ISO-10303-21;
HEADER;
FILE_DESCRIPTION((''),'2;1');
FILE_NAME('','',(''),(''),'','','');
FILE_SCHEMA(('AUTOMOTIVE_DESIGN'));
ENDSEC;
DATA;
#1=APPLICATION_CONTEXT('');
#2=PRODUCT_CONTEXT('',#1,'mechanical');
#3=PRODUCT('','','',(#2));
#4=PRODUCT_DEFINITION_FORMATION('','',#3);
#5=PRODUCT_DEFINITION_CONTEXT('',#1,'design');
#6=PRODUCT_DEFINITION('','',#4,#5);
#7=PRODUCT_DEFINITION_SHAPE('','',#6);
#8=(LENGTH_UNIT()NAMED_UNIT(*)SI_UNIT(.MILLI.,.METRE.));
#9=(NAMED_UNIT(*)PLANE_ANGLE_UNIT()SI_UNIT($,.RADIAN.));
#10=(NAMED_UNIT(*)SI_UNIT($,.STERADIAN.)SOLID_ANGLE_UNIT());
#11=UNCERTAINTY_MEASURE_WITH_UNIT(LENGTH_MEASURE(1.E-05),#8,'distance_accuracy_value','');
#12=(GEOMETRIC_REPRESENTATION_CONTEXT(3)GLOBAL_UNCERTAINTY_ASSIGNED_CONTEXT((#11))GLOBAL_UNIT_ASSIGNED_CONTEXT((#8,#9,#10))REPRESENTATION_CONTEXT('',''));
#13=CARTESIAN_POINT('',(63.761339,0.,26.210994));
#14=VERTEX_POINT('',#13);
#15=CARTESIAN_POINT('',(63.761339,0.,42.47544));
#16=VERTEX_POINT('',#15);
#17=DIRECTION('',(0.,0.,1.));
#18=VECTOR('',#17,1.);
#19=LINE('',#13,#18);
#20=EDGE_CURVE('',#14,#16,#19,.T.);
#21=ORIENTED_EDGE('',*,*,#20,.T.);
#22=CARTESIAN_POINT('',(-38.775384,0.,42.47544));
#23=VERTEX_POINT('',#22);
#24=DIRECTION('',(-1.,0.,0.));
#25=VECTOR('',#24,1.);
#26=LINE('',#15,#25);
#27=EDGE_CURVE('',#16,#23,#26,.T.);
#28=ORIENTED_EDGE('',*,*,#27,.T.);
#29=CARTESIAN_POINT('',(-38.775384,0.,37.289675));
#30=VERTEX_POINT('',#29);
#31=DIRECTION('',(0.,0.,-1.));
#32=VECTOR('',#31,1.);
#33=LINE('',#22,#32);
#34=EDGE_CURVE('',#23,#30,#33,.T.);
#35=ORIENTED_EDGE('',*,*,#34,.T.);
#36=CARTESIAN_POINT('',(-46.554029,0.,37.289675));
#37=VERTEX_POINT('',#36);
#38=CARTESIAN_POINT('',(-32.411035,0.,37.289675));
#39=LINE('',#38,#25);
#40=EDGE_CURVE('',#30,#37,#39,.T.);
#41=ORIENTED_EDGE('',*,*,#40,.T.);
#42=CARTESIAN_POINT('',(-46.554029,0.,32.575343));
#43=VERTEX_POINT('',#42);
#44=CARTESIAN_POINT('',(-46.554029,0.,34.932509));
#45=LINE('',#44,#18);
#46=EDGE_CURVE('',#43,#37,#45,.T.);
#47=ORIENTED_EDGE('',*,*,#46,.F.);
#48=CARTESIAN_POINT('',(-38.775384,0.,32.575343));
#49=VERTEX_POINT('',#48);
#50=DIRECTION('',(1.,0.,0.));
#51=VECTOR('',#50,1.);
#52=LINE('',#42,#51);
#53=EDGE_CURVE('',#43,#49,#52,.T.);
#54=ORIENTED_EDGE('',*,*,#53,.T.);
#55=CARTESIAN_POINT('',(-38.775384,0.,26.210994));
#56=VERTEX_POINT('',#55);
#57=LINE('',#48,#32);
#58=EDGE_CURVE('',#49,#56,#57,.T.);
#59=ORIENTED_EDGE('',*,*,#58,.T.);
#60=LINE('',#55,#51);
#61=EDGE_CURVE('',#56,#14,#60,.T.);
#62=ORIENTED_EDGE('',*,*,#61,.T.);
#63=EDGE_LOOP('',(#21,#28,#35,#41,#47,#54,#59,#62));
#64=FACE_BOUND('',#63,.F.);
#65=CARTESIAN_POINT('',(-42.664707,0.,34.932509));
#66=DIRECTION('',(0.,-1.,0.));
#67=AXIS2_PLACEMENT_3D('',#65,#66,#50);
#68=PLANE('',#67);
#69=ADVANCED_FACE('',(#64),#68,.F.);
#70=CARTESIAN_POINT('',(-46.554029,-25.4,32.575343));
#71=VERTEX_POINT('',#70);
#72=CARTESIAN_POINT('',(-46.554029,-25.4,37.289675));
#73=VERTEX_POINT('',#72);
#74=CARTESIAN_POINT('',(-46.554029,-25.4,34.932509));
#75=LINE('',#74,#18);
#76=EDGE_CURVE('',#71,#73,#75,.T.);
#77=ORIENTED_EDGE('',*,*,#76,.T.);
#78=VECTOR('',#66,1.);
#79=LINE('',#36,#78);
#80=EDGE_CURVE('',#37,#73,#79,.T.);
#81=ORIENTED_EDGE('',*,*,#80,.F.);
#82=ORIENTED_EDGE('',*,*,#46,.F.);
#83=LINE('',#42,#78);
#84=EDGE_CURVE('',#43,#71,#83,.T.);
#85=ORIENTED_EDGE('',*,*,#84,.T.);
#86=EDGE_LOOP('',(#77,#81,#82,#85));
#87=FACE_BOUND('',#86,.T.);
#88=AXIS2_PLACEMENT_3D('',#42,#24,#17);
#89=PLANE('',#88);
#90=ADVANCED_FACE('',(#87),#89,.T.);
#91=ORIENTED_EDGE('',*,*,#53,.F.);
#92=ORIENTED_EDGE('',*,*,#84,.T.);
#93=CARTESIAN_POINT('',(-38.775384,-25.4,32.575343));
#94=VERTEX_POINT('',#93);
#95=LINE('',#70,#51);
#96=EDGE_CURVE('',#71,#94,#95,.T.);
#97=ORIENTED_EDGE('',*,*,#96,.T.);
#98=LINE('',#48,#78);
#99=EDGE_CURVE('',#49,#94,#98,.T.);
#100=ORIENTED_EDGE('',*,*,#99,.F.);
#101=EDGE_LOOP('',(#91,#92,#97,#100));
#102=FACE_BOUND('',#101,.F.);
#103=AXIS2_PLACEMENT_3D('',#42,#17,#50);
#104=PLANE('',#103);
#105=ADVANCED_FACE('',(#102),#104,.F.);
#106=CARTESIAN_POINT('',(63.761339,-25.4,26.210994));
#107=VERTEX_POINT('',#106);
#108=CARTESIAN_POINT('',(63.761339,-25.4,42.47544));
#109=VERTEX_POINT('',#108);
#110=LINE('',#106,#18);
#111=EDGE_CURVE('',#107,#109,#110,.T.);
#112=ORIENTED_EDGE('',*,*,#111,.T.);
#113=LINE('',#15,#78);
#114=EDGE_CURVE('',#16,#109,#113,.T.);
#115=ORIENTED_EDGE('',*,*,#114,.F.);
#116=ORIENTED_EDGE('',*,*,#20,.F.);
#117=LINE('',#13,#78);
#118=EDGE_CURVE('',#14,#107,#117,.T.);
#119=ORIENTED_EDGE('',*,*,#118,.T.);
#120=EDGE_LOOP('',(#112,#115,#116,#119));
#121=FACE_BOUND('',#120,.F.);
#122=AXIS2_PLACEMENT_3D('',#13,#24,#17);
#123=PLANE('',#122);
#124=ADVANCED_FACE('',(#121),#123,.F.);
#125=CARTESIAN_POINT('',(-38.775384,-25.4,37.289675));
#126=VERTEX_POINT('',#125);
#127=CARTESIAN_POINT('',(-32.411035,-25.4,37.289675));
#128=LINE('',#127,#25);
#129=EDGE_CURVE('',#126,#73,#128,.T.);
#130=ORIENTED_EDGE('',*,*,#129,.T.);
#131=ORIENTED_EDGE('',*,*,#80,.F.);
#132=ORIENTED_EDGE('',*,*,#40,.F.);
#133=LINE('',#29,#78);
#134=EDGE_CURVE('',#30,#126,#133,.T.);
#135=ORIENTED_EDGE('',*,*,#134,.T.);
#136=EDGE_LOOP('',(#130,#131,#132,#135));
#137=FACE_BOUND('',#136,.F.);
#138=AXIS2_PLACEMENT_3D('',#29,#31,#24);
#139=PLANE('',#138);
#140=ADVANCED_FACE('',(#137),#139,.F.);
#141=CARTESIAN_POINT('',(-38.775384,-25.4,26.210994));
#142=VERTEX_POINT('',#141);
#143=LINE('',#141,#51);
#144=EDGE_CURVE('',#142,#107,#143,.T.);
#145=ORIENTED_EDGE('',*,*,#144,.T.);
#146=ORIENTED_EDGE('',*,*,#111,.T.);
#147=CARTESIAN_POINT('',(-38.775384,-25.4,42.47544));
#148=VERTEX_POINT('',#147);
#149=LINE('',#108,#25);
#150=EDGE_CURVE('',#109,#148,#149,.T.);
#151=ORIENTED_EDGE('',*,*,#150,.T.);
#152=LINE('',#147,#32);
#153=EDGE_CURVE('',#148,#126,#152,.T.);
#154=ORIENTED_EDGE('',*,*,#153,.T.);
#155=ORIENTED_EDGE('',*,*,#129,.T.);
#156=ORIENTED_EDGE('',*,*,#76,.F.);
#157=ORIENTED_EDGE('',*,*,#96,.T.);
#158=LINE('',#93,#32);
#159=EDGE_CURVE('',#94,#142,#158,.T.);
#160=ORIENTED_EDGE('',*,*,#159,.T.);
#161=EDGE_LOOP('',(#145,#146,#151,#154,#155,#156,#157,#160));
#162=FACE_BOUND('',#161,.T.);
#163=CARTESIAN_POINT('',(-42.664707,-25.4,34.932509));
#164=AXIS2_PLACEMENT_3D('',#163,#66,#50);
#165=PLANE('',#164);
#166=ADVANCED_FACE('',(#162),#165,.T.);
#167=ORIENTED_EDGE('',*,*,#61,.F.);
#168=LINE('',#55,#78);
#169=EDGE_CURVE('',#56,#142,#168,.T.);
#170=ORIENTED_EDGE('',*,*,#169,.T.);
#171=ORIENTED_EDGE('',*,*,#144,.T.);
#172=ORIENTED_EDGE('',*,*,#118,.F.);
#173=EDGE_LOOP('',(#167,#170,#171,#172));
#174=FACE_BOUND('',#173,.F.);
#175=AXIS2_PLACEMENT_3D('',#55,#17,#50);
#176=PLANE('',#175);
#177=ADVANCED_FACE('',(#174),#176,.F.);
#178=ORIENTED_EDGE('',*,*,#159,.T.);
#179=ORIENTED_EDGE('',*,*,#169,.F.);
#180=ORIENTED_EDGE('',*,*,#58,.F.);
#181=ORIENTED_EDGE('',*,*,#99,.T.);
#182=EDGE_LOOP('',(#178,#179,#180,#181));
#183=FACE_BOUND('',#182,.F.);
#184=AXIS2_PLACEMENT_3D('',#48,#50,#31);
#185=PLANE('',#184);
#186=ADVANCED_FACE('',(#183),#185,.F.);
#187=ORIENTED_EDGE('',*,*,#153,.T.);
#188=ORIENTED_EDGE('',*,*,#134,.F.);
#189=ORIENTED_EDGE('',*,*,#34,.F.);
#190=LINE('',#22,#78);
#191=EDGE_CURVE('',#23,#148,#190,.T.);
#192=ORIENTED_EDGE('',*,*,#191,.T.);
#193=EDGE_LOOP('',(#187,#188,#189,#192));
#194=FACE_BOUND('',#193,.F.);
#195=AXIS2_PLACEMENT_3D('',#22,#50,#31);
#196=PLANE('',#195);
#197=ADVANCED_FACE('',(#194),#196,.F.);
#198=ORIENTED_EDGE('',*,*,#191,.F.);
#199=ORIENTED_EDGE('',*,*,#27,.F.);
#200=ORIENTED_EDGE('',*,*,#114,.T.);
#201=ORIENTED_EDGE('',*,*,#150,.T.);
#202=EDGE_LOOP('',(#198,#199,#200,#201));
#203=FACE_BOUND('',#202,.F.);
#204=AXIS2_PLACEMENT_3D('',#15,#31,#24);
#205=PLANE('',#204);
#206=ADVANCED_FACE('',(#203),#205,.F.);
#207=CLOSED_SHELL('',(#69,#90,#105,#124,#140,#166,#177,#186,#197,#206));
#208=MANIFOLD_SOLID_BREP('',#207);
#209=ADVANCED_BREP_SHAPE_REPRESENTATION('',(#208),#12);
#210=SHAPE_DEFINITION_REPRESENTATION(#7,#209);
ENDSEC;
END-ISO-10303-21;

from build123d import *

# Parameters (mm, degrees)
F0_W     = 7.7786445618
F0_H     = 4.714332521
F0_W_2   = 6.3643492758
F1_DEPTH = 25.4


with BuildPart() as f1:
    # F0 (on Front) → F1 (new body)
    with BuildSketch(Plane.XZ):
        with Locations((-42.664706707, 34.9325090647)):
            Rectangle(F0_W, F0_H)
        with Locations((-35.5932097882, 34.9325090647)):
            Rectangle(F0_W_2, F0_H)
        Polygon((-32.4110351503, 32.5753428042), (-38.7753844261, 32.5753428042), (-38.7753844261, 26.2109935284), (63.7613385916, 26.2109935284), (63.7613385916, 42.4754396081), (-38.7753844261, 42.4754396081), (-38.7753844261, 37.2896753252), (-32.4110351503, 37.2896753252), align=None)
    extrude(amount=F1_DEPTH)


solid = f1.part
